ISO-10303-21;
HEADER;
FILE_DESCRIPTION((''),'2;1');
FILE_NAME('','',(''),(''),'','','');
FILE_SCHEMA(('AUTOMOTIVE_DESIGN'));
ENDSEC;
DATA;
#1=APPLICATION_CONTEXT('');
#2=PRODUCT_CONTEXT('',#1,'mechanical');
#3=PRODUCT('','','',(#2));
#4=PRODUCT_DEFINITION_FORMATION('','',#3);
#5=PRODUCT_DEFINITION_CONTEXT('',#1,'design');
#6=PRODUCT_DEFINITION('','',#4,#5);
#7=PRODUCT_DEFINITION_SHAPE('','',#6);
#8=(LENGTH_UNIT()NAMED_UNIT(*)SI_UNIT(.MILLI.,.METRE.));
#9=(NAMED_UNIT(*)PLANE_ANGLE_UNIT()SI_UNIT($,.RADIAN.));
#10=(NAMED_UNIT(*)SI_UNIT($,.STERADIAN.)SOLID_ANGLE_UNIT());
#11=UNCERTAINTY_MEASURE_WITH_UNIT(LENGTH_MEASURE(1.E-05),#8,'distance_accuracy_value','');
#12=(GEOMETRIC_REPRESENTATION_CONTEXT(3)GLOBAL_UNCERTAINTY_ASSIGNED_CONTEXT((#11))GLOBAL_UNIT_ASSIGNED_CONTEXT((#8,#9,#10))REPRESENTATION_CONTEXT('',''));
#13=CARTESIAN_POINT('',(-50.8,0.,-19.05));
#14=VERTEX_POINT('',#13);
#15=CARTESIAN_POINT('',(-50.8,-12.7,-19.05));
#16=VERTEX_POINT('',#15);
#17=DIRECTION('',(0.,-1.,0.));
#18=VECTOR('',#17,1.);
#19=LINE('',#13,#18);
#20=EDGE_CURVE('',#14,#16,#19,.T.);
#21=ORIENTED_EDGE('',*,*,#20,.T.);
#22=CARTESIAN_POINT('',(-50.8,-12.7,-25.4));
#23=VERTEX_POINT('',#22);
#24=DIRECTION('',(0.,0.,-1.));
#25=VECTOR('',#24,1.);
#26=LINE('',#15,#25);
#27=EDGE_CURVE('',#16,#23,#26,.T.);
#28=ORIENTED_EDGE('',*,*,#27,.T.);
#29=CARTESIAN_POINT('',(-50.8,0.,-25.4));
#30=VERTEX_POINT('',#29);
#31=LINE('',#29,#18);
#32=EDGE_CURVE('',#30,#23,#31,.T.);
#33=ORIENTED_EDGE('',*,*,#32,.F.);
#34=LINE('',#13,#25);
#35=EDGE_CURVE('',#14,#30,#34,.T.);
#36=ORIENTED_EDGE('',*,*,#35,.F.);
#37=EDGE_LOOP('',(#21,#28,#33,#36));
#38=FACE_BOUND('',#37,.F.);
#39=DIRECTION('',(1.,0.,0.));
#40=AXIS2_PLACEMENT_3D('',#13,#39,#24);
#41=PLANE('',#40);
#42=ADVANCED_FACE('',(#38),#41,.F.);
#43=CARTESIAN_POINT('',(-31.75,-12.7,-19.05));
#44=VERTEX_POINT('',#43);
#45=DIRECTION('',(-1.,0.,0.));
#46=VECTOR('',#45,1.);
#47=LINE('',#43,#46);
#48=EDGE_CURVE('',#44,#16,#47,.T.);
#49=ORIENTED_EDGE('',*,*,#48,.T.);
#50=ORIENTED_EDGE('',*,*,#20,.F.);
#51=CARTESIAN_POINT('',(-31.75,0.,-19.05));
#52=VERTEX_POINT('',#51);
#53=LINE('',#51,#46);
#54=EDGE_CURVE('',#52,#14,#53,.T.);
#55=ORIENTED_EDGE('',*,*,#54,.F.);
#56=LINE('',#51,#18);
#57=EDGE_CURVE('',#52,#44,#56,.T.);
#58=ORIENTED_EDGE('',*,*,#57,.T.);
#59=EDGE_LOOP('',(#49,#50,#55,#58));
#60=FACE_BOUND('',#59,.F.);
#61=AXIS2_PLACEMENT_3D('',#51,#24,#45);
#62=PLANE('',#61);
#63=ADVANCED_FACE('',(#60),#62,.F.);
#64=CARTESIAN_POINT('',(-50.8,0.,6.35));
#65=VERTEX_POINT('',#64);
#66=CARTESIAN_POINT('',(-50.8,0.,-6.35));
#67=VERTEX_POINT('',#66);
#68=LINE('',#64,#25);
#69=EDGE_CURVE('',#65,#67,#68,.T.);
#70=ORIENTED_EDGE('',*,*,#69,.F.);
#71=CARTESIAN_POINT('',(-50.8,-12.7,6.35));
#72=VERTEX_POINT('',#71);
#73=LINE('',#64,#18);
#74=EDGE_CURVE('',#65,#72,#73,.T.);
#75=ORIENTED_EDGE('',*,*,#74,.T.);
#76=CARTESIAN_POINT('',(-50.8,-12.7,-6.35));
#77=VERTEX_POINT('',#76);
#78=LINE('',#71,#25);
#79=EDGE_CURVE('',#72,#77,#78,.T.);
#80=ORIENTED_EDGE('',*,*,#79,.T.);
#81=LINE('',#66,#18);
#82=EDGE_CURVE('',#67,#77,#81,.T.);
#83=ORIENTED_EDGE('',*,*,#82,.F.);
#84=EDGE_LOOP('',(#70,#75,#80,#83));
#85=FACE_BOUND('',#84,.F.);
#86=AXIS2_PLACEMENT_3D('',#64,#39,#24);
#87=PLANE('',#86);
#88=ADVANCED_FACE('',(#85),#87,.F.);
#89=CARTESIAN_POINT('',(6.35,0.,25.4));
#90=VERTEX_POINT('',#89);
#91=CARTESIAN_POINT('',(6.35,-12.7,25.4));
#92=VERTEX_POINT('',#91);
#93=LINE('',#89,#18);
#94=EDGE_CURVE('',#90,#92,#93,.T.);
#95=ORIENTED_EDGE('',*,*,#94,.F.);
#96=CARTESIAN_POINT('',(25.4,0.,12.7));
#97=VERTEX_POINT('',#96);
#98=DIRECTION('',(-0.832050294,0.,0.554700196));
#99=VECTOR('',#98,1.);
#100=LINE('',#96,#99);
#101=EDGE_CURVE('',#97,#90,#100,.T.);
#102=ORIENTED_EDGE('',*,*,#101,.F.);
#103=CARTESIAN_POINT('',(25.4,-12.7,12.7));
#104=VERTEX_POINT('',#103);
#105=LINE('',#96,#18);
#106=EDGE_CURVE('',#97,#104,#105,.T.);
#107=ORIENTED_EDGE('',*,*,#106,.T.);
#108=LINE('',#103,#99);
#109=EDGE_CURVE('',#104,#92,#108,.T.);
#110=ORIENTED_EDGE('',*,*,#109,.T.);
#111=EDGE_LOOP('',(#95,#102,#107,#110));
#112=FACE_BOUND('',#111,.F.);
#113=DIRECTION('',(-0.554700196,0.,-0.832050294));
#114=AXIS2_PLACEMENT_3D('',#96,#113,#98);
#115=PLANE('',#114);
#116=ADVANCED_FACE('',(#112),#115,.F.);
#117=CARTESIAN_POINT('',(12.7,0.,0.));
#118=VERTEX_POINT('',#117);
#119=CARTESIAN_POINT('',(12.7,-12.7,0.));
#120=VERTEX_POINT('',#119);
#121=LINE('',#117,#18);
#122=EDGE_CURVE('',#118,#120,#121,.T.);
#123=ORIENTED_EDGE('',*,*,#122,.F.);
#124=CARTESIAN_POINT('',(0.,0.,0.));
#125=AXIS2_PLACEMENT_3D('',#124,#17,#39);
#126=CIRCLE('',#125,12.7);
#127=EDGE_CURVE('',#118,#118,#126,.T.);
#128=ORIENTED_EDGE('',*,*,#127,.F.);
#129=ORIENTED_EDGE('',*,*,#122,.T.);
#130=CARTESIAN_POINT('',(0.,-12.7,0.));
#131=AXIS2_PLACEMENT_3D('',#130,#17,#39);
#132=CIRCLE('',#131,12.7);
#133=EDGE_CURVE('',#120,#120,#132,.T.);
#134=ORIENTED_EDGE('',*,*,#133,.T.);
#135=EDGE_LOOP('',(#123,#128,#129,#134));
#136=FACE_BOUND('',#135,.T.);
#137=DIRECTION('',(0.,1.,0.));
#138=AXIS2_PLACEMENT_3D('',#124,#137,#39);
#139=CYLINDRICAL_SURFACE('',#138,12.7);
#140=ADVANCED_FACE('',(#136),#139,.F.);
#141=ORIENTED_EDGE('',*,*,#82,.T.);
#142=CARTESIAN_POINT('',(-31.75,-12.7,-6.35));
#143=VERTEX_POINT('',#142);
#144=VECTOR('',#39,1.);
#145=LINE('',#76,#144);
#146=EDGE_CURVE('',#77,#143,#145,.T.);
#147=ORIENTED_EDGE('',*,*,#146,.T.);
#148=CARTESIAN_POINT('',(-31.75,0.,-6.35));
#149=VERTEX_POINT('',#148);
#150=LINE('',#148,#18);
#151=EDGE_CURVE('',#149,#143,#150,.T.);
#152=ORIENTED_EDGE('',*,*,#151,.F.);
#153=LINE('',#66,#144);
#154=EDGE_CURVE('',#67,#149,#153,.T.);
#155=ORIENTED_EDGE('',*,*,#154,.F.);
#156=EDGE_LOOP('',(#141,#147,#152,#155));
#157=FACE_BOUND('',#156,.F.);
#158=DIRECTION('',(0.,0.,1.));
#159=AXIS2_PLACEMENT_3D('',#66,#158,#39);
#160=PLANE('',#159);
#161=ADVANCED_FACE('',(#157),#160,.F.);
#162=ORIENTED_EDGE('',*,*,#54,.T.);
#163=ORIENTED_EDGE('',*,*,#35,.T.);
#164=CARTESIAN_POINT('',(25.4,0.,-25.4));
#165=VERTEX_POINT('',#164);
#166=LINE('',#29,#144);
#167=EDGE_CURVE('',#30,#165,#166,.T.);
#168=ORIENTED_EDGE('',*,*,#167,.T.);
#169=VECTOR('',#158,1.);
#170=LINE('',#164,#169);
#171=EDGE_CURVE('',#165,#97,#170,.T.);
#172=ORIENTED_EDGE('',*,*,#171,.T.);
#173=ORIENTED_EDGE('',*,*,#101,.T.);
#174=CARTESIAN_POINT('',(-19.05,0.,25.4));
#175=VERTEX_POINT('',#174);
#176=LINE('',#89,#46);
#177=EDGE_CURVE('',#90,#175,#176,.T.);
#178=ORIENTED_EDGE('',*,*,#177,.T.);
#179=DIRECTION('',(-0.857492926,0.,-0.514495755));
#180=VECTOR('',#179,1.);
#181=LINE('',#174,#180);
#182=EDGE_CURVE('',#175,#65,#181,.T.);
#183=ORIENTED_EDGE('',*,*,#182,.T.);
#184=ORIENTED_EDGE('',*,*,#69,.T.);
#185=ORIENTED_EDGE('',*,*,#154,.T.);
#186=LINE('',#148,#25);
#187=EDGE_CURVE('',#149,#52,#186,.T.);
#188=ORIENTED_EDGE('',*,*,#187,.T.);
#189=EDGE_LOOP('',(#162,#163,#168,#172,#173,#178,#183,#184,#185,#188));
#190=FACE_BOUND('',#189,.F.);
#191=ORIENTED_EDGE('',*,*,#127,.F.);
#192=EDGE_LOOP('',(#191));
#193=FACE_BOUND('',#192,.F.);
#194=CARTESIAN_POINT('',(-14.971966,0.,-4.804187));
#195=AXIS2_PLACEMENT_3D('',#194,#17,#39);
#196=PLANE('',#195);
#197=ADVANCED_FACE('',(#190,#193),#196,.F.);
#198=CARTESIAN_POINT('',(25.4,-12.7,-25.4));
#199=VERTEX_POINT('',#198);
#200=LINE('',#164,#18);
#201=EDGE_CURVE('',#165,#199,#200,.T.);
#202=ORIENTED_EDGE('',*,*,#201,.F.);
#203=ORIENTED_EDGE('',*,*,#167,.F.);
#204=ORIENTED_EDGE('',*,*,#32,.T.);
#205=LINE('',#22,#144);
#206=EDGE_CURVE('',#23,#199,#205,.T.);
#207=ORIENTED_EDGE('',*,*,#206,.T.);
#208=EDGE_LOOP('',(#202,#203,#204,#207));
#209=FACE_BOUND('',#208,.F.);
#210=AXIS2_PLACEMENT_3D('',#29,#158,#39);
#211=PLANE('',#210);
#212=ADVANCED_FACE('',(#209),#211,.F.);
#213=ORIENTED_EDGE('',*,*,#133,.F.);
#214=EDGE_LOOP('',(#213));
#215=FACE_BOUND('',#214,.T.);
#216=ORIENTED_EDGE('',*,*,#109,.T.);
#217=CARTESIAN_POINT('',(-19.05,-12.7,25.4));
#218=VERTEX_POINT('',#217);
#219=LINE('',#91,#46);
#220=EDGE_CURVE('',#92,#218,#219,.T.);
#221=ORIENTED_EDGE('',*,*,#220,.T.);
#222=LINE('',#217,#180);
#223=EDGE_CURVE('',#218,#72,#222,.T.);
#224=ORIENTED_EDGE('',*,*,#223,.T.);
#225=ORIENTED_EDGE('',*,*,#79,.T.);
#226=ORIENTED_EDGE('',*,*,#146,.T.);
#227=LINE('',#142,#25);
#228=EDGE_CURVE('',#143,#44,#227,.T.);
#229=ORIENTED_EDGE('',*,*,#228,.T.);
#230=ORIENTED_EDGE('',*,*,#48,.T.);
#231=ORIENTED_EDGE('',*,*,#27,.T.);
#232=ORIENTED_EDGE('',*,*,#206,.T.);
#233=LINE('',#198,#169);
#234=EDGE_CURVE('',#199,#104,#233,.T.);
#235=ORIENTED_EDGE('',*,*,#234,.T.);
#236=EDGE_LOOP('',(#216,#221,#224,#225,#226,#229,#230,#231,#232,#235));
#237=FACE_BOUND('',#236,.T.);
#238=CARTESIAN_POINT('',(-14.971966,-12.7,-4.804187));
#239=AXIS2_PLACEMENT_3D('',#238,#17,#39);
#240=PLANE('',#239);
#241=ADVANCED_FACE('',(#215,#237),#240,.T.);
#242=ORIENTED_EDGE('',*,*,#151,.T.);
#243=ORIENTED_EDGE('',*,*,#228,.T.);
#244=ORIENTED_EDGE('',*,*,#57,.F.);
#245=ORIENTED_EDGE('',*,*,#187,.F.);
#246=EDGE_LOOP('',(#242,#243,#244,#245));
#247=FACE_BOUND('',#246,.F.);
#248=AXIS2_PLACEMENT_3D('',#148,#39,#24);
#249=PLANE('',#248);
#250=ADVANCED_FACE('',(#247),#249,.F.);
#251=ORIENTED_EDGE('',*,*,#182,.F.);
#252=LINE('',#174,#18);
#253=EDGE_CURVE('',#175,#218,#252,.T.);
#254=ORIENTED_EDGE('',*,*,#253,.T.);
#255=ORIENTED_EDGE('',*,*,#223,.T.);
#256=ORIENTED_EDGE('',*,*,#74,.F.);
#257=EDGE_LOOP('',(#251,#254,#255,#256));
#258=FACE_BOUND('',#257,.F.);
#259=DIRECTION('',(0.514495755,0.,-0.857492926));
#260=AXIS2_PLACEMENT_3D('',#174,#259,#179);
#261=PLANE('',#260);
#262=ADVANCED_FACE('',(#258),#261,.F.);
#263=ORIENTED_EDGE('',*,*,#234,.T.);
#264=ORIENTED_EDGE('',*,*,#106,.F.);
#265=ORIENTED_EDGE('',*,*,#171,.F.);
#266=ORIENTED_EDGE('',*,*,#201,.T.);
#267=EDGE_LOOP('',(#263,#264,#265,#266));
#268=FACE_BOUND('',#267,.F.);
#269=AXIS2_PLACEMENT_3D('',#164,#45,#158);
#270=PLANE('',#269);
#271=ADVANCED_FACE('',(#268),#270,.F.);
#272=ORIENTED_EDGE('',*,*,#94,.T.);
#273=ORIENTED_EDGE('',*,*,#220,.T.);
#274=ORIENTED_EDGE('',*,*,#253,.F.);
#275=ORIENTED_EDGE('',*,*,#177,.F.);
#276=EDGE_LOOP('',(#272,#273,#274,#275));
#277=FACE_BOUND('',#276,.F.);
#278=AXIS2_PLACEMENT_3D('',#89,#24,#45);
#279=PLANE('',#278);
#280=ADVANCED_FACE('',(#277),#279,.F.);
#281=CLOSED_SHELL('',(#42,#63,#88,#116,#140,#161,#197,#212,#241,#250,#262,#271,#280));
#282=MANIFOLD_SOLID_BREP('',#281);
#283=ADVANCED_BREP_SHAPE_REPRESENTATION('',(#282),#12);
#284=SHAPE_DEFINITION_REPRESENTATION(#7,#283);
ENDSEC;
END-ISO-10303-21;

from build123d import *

# Parameters (mm, degrees)
F0_R     = 12.7
F1_DEPTH = 12.7


with BuildPart() as f1:
    # F0 (on Front) → F1 (new body)
    with BuildSketch(Plane.XZ):
        Polygon((25.4, -25.4), (25.4, 12.7), (6.35, 25.4), (-19.05, 25.4), (-50.8, 6.35), (-50.8, -6.35), (-31.75, -6.35), (-31.75, -19.05), (-50.8, -19.05), (-50.8, -25.4), align=None)
        Circle(F0_R, mode=Mode.SUBTRACT)
    extrude(amount=F1_DEPTH)


solid = f1.part
